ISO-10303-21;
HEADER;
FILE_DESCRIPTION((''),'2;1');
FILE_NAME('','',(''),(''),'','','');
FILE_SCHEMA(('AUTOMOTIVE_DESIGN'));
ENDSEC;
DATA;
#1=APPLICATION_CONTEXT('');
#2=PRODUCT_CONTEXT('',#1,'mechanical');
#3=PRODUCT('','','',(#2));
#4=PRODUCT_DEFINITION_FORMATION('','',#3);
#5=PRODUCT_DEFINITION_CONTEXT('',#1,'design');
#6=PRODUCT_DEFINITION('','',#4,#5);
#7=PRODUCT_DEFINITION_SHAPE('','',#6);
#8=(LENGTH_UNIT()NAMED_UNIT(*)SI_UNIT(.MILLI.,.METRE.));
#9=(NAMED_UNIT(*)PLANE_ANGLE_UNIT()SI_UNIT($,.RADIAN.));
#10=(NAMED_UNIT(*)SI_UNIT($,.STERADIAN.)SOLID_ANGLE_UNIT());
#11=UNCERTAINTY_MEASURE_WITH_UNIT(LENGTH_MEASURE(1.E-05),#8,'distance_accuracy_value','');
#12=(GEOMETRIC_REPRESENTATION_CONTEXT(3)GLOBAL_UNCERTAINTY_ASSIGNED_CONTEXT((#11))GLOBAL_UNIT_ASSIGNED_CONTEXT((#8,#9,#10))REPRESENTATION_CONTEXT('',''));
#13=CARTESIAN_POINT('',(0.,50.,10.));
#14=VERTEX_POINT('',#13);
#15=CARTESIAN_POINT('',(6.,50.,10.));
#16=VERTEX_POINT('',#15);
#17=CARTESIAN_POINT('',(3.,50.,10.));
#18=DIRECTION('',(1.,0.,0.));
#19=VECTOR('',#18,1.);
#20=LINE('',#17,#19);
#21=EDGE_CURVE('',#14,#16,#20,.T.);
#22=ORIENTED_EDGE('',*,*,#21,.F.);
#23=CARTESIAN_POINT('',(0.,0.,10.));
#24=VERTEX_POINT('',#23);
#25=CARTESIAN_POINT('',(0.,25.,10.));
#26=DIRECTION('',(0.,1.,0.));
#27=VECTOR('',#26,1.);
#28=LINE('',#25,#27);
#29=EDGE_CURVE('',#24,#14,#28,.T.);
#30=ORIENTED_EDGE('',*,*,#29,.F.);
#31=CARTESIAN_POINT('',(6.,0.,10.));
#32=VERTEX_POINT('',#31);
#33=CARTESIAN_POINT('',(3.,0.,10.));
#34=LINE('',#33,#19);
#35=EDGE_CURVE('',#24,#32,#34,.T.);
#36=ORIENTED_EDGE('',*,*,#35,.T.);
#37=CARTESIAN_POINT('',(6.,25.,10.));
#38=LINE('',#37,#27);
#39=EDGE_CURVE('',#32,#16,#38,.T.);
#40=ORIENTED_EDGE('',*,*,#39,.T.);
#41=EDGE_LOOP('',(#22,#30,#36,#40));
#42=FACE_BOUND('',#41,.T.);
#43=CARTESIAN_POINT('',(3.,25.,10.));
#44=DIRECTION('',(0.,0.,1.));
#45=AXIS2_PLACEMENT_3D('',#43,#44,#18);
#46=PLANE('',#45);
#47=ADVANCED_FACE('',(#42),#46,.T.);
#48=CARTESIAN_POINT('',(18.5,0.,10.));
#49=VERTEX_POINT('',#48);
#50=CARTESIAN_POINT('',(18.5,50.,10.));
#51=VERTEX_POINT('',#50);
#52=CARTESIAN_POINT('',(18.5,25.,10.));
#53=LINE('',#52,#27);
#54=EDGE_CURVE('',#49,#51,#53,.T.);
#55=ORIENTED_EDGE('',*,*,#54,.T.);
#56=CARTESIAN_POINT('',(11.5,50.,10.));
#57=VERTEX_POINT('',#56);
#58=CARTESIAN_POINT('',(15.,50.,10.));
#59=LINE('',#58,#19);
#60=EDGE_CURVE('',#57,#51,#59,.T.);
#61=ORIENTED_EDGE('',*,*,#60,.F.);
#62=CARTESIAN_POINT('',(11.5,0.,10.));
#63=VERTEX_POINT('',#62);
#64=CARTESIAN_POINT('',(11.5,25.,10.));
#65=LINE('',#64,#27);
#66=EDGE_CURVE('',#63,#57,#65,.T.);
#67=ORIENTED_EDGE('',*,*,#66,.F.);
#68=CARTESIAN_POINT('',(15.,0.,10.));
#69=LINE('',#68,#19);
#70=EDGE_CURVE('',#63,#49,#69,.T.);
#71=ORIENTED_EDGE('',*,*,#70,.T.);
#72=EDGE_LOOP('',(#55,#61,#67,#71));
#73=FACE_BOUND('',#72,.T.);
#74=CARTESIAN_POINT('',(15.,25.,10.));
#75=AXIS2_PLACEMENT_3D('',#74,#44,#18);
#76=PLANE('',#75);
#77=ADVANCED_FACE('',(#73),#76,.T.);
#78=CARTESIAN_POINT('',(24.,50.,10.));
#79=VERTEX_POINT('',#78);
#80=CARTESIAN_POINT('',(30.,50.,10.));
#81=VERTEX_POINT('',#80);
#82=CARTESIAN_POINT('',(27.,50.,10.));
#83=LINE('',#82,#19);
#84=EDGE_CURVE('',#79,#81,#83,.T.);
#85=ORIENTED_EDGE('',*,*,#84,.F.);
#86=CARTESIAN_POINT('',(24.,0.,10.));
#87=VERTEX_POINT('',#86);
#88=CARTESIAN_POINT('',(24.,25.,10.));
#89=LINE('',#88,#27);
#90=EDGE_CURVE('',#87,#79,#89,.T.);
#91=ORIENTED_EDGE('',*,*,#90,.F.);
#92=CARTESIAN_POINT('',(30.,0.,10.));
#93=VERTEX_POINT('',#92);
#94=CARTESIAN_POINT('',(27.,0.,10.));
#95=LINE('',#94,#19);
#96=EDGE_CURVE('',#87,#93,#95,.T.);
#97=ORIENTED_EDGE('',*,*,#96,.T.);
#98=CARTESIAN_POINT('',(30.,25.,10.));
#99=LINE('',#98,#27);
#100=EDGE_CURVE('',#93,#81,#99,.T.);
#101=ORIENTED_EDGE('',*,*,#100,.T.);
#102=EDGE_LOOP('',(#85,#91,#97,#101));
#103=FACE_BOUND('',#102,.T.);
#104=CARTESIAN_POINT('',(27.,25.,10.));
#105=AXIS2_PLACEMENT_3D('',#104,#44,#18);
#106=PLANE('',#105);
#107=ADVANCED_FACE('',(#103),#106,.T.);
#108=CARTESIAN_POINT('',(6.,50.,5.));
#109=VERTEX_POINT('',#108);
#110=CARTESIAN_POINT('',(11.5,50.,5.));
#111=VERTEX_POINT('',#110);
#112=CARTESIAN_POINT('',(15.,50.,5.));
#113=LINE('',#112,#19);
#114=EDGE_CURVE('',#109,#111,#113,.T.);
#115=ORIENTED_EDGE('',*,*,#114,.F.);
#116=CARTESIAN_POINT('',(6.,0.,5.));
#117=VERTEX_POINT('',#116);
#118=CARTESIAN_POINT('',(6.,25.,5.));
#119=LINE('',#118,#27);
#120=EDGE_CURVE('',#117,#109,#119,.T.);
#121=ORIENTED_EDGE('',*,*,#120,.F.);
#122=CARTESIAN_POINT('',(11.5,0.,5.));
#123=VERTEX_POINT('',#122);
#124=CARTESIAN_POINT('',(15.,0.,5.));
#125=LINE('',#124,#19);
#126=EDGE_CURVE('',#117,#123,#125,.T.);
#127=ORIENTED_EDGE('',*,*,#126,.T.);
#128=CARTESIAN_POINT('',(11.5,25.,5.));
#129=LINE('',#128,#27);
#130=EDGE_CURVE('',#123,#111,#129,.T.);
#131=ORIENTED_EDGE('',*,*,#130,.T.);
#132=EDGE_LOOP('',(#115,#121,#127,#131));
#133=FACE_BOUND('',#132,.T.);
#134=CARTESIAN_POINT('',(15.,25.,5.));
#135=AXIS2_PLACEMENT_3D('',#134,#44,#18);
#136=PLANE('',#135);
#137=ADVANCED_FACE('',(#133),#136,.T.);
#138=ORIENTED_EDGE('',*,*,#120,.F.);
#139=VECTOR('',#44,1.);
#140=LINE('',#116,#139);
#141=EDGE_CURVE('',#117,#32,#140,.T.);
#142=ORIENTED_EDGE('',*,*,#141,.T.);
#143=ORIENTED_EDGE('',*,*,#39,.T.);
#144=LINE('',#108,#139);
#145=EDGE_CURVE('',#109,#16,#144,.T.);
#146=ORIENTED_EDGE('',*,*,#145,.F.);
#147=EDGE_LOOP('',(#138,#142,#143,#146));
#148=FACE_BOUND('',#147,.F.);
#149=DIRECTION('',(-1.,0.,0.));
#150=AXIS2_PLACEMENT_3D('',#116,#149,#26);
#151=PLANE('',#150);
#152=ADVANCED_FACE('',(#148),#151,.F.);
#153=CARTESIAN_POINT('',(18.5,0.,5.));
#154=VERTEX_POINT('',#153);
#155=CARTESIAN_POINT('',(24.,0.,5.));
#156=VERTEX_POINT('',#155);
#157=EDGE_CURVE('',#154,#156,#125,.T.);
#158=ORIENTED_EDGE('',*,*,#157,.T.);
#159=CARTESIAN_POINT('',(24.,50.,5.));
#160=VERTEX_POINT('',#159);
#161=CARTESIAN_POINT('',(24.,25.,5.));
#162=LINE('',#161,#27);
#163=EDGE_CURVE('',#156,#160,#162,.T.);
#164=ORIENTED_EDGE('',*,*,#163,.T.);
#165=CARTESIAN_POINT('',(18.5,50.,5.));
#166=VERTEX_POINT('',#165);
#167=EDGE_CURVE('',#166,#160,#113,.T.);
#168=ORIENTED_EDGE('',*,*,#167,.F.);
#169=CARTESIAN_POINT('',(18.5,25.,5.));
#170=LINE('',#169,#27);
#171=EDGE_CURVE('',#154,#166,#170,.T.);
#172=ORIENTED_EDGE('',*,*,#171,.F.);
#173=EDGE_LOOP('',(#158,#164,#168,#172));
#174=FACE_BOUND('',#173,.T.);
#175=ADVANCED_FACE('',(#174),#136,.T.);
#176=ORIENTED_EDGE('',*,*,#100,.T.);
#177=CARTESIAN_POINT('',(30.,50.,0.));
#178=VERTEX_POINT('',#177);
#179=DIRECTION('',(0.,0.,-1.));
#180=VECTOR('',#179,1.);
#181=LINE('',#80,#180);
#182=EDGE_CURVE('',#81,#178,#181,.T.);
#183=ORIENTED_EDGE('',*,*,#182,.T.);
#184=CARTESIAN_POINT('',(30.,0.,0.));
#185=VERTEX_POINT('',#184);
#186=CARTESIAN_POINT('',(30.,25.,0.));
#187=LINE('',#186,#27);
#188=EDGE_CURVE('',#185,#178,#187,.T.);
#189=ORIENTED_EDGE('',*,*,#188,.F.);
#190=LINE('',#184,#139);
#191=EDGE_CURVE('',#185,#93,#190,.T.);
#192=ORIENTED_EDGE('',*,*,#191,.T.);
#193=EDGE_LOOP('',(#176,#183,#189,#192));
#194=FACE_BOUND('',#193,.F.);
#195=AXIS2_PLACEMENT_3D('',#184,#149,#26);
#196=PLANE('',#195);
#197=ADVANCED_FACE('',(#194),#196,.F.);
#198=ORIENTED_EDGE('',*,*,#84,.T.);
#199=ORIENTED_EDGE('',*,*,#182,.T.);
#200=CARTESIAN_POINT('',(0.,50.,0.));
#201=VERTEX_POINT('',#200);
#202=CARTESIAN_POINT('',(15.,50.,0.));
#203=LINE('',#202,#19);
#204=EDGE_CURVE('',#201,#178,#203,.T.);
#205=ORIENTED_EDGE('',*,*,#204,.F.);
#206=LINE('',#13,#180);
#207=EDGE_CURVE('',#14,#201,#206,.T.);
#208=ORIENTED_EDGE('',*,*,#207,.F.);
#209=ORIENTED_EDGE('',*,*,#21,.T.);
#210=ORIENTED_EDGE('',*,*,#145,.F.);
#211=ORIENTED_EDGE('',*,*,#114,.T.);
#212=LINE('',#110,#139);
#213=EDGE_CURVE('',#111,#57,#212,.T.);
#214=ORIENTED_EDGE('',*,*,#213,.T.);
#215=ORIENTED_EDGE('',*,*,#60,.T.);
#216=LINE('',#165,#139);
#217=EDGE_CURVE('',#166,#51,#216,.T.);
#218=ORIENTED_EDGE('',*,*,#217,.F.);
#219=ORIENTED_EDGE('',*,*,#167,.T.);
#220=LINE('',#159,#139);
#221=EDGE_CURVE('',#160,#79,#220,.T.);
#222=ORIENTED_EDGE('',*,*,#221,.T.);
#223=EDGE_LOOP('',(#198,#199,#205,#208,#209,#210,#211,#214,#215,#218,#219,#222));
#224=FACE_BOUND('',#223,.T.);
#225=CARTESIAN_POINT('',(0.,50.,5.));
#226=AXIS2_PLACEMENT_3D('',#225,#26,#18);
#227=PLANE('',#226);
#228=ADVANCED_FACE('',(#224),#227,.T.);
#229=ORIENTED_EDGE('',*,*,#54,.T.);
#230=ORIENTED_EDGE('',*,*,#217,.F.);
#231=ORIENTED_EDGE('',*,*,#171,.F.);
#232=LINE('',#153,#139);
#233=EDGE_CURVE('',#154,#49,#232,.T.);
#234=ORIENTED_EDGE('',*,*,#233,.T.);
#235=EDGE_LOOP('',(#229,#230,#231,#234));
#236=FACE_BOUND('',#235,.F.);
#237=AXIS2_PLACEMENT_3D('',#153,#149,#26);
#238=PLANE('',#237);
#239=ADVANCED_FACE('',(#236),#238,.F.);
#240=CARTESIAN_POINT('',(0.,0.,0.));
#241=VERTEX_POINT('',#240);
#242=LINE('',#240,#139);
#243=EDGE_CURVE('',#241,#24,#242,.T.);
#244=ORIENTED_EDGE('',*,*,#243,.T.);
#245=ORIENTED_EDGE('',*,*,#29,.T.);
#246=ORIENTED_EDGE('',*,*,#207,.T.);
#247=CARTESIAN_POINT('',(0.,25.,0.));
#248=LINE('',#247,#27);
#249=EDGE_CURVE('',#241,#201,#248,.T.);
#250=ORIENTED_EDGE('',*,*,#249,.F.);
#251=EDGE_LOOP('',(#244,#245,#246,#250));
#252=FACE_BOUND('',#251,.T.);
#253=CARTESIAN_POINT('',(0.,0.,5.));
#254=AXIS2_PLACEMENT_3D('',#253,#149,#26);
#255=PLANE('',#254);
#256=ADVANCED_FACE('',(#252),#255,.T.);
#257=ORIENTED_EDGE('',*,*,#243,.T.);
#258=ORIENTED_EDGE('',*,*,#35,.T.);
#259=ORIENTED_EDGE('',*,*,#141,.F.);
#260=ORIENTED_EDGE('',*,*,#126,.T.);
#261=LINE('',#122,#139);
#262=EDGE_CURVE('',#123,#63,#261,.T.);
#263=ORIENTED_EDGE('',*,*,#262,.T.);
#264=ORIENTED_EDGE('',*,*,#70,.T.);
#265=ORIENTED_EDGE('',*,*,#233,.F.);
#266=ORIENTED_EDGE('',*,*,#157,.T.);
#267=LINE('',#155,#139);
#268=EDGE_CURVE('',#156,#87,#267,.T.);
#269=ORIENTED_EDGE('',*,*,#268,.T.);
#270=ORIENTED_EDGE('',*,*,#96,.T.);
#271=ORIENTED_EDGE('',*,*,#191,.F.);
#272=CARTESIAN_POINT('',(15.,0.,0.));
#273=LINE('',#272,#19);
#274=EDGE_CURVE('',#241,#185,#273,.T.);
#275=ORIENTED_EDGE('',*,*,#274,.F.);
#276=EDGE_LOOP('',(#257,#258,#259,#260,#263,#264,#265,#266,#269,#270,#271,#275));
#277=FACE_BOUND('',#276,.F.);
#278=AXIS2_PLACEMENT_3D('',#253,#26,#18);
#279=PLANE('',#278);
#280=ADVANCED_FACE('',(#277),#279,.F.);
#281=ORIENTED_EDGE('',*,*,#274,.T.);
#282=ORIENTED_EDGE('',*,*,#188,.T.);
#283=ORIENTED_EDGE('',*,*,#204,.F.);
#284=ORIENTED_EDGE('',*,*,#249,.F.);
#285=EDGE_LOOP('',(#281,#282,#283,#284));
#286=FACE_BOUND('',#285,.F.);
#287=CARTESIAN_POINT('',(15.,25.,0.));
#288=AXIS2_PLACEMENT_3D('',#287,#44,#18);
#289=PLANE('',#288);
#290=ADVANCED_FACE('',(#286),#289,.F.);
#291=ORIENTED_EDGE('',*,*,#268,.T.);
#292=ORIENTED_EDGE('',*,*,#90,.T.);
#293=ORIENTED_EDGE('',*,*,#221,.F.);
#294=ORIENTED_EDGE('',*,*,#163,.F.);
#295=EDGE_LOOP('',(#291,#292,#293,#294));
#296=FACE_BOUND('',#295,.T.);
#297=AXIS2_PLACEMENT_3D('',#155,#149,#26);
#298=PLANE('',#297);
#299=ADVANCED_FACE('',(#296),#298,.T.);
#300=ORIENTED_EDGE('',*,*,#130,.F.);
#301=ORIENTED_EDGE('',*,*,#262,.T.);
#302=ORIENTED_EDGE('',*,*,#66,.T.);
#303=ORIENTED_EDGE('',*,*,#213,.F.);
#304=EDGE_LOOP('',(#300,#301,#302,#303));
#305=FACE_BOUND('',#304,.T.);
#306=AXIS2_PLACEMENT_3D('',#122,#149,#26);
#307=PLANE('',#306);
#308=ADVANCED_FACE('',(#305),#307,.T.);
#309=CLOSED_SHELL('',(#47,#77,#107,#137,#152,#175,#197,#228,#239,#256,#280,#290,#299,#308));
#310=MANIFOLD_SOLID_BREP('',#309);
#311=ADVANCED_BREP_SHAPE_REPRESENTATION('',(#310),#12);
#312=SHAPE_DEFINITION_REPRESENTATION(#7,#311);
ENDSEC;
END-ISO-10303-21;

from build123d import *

# Parameters (mm, degrees)
F0_W     = 30
F0_H     = 50
F1_DEPTH = 5
F2_W     = 6
F2_H     = 50
F2_W_2   = 7
F3_DEPTH = 5


with BuildPart() as f1:
    # F0 (on Top) → F1 (new body)
    with BuildSketch(Plane.XY):
        with Locations((15, 25)):
            Rectangle(F0_W, F0_H)
    extrude(amount=F1_DEPTH)

    # F2 (on face) → F3 (join)
    with BuildSketch(Plane.XY.offset(5)):
        with Locations((3, 25)):
            Rectangle(F2_W, F2_H)
        with Locations((15, 25)):
            Rectangle(F2_W_2, F2_H)
        with Locations((27, 25)):
            Rectangle(F2_W, F2_H)
    extrude(amount=F3_DEPTH)


solid = f1.part
